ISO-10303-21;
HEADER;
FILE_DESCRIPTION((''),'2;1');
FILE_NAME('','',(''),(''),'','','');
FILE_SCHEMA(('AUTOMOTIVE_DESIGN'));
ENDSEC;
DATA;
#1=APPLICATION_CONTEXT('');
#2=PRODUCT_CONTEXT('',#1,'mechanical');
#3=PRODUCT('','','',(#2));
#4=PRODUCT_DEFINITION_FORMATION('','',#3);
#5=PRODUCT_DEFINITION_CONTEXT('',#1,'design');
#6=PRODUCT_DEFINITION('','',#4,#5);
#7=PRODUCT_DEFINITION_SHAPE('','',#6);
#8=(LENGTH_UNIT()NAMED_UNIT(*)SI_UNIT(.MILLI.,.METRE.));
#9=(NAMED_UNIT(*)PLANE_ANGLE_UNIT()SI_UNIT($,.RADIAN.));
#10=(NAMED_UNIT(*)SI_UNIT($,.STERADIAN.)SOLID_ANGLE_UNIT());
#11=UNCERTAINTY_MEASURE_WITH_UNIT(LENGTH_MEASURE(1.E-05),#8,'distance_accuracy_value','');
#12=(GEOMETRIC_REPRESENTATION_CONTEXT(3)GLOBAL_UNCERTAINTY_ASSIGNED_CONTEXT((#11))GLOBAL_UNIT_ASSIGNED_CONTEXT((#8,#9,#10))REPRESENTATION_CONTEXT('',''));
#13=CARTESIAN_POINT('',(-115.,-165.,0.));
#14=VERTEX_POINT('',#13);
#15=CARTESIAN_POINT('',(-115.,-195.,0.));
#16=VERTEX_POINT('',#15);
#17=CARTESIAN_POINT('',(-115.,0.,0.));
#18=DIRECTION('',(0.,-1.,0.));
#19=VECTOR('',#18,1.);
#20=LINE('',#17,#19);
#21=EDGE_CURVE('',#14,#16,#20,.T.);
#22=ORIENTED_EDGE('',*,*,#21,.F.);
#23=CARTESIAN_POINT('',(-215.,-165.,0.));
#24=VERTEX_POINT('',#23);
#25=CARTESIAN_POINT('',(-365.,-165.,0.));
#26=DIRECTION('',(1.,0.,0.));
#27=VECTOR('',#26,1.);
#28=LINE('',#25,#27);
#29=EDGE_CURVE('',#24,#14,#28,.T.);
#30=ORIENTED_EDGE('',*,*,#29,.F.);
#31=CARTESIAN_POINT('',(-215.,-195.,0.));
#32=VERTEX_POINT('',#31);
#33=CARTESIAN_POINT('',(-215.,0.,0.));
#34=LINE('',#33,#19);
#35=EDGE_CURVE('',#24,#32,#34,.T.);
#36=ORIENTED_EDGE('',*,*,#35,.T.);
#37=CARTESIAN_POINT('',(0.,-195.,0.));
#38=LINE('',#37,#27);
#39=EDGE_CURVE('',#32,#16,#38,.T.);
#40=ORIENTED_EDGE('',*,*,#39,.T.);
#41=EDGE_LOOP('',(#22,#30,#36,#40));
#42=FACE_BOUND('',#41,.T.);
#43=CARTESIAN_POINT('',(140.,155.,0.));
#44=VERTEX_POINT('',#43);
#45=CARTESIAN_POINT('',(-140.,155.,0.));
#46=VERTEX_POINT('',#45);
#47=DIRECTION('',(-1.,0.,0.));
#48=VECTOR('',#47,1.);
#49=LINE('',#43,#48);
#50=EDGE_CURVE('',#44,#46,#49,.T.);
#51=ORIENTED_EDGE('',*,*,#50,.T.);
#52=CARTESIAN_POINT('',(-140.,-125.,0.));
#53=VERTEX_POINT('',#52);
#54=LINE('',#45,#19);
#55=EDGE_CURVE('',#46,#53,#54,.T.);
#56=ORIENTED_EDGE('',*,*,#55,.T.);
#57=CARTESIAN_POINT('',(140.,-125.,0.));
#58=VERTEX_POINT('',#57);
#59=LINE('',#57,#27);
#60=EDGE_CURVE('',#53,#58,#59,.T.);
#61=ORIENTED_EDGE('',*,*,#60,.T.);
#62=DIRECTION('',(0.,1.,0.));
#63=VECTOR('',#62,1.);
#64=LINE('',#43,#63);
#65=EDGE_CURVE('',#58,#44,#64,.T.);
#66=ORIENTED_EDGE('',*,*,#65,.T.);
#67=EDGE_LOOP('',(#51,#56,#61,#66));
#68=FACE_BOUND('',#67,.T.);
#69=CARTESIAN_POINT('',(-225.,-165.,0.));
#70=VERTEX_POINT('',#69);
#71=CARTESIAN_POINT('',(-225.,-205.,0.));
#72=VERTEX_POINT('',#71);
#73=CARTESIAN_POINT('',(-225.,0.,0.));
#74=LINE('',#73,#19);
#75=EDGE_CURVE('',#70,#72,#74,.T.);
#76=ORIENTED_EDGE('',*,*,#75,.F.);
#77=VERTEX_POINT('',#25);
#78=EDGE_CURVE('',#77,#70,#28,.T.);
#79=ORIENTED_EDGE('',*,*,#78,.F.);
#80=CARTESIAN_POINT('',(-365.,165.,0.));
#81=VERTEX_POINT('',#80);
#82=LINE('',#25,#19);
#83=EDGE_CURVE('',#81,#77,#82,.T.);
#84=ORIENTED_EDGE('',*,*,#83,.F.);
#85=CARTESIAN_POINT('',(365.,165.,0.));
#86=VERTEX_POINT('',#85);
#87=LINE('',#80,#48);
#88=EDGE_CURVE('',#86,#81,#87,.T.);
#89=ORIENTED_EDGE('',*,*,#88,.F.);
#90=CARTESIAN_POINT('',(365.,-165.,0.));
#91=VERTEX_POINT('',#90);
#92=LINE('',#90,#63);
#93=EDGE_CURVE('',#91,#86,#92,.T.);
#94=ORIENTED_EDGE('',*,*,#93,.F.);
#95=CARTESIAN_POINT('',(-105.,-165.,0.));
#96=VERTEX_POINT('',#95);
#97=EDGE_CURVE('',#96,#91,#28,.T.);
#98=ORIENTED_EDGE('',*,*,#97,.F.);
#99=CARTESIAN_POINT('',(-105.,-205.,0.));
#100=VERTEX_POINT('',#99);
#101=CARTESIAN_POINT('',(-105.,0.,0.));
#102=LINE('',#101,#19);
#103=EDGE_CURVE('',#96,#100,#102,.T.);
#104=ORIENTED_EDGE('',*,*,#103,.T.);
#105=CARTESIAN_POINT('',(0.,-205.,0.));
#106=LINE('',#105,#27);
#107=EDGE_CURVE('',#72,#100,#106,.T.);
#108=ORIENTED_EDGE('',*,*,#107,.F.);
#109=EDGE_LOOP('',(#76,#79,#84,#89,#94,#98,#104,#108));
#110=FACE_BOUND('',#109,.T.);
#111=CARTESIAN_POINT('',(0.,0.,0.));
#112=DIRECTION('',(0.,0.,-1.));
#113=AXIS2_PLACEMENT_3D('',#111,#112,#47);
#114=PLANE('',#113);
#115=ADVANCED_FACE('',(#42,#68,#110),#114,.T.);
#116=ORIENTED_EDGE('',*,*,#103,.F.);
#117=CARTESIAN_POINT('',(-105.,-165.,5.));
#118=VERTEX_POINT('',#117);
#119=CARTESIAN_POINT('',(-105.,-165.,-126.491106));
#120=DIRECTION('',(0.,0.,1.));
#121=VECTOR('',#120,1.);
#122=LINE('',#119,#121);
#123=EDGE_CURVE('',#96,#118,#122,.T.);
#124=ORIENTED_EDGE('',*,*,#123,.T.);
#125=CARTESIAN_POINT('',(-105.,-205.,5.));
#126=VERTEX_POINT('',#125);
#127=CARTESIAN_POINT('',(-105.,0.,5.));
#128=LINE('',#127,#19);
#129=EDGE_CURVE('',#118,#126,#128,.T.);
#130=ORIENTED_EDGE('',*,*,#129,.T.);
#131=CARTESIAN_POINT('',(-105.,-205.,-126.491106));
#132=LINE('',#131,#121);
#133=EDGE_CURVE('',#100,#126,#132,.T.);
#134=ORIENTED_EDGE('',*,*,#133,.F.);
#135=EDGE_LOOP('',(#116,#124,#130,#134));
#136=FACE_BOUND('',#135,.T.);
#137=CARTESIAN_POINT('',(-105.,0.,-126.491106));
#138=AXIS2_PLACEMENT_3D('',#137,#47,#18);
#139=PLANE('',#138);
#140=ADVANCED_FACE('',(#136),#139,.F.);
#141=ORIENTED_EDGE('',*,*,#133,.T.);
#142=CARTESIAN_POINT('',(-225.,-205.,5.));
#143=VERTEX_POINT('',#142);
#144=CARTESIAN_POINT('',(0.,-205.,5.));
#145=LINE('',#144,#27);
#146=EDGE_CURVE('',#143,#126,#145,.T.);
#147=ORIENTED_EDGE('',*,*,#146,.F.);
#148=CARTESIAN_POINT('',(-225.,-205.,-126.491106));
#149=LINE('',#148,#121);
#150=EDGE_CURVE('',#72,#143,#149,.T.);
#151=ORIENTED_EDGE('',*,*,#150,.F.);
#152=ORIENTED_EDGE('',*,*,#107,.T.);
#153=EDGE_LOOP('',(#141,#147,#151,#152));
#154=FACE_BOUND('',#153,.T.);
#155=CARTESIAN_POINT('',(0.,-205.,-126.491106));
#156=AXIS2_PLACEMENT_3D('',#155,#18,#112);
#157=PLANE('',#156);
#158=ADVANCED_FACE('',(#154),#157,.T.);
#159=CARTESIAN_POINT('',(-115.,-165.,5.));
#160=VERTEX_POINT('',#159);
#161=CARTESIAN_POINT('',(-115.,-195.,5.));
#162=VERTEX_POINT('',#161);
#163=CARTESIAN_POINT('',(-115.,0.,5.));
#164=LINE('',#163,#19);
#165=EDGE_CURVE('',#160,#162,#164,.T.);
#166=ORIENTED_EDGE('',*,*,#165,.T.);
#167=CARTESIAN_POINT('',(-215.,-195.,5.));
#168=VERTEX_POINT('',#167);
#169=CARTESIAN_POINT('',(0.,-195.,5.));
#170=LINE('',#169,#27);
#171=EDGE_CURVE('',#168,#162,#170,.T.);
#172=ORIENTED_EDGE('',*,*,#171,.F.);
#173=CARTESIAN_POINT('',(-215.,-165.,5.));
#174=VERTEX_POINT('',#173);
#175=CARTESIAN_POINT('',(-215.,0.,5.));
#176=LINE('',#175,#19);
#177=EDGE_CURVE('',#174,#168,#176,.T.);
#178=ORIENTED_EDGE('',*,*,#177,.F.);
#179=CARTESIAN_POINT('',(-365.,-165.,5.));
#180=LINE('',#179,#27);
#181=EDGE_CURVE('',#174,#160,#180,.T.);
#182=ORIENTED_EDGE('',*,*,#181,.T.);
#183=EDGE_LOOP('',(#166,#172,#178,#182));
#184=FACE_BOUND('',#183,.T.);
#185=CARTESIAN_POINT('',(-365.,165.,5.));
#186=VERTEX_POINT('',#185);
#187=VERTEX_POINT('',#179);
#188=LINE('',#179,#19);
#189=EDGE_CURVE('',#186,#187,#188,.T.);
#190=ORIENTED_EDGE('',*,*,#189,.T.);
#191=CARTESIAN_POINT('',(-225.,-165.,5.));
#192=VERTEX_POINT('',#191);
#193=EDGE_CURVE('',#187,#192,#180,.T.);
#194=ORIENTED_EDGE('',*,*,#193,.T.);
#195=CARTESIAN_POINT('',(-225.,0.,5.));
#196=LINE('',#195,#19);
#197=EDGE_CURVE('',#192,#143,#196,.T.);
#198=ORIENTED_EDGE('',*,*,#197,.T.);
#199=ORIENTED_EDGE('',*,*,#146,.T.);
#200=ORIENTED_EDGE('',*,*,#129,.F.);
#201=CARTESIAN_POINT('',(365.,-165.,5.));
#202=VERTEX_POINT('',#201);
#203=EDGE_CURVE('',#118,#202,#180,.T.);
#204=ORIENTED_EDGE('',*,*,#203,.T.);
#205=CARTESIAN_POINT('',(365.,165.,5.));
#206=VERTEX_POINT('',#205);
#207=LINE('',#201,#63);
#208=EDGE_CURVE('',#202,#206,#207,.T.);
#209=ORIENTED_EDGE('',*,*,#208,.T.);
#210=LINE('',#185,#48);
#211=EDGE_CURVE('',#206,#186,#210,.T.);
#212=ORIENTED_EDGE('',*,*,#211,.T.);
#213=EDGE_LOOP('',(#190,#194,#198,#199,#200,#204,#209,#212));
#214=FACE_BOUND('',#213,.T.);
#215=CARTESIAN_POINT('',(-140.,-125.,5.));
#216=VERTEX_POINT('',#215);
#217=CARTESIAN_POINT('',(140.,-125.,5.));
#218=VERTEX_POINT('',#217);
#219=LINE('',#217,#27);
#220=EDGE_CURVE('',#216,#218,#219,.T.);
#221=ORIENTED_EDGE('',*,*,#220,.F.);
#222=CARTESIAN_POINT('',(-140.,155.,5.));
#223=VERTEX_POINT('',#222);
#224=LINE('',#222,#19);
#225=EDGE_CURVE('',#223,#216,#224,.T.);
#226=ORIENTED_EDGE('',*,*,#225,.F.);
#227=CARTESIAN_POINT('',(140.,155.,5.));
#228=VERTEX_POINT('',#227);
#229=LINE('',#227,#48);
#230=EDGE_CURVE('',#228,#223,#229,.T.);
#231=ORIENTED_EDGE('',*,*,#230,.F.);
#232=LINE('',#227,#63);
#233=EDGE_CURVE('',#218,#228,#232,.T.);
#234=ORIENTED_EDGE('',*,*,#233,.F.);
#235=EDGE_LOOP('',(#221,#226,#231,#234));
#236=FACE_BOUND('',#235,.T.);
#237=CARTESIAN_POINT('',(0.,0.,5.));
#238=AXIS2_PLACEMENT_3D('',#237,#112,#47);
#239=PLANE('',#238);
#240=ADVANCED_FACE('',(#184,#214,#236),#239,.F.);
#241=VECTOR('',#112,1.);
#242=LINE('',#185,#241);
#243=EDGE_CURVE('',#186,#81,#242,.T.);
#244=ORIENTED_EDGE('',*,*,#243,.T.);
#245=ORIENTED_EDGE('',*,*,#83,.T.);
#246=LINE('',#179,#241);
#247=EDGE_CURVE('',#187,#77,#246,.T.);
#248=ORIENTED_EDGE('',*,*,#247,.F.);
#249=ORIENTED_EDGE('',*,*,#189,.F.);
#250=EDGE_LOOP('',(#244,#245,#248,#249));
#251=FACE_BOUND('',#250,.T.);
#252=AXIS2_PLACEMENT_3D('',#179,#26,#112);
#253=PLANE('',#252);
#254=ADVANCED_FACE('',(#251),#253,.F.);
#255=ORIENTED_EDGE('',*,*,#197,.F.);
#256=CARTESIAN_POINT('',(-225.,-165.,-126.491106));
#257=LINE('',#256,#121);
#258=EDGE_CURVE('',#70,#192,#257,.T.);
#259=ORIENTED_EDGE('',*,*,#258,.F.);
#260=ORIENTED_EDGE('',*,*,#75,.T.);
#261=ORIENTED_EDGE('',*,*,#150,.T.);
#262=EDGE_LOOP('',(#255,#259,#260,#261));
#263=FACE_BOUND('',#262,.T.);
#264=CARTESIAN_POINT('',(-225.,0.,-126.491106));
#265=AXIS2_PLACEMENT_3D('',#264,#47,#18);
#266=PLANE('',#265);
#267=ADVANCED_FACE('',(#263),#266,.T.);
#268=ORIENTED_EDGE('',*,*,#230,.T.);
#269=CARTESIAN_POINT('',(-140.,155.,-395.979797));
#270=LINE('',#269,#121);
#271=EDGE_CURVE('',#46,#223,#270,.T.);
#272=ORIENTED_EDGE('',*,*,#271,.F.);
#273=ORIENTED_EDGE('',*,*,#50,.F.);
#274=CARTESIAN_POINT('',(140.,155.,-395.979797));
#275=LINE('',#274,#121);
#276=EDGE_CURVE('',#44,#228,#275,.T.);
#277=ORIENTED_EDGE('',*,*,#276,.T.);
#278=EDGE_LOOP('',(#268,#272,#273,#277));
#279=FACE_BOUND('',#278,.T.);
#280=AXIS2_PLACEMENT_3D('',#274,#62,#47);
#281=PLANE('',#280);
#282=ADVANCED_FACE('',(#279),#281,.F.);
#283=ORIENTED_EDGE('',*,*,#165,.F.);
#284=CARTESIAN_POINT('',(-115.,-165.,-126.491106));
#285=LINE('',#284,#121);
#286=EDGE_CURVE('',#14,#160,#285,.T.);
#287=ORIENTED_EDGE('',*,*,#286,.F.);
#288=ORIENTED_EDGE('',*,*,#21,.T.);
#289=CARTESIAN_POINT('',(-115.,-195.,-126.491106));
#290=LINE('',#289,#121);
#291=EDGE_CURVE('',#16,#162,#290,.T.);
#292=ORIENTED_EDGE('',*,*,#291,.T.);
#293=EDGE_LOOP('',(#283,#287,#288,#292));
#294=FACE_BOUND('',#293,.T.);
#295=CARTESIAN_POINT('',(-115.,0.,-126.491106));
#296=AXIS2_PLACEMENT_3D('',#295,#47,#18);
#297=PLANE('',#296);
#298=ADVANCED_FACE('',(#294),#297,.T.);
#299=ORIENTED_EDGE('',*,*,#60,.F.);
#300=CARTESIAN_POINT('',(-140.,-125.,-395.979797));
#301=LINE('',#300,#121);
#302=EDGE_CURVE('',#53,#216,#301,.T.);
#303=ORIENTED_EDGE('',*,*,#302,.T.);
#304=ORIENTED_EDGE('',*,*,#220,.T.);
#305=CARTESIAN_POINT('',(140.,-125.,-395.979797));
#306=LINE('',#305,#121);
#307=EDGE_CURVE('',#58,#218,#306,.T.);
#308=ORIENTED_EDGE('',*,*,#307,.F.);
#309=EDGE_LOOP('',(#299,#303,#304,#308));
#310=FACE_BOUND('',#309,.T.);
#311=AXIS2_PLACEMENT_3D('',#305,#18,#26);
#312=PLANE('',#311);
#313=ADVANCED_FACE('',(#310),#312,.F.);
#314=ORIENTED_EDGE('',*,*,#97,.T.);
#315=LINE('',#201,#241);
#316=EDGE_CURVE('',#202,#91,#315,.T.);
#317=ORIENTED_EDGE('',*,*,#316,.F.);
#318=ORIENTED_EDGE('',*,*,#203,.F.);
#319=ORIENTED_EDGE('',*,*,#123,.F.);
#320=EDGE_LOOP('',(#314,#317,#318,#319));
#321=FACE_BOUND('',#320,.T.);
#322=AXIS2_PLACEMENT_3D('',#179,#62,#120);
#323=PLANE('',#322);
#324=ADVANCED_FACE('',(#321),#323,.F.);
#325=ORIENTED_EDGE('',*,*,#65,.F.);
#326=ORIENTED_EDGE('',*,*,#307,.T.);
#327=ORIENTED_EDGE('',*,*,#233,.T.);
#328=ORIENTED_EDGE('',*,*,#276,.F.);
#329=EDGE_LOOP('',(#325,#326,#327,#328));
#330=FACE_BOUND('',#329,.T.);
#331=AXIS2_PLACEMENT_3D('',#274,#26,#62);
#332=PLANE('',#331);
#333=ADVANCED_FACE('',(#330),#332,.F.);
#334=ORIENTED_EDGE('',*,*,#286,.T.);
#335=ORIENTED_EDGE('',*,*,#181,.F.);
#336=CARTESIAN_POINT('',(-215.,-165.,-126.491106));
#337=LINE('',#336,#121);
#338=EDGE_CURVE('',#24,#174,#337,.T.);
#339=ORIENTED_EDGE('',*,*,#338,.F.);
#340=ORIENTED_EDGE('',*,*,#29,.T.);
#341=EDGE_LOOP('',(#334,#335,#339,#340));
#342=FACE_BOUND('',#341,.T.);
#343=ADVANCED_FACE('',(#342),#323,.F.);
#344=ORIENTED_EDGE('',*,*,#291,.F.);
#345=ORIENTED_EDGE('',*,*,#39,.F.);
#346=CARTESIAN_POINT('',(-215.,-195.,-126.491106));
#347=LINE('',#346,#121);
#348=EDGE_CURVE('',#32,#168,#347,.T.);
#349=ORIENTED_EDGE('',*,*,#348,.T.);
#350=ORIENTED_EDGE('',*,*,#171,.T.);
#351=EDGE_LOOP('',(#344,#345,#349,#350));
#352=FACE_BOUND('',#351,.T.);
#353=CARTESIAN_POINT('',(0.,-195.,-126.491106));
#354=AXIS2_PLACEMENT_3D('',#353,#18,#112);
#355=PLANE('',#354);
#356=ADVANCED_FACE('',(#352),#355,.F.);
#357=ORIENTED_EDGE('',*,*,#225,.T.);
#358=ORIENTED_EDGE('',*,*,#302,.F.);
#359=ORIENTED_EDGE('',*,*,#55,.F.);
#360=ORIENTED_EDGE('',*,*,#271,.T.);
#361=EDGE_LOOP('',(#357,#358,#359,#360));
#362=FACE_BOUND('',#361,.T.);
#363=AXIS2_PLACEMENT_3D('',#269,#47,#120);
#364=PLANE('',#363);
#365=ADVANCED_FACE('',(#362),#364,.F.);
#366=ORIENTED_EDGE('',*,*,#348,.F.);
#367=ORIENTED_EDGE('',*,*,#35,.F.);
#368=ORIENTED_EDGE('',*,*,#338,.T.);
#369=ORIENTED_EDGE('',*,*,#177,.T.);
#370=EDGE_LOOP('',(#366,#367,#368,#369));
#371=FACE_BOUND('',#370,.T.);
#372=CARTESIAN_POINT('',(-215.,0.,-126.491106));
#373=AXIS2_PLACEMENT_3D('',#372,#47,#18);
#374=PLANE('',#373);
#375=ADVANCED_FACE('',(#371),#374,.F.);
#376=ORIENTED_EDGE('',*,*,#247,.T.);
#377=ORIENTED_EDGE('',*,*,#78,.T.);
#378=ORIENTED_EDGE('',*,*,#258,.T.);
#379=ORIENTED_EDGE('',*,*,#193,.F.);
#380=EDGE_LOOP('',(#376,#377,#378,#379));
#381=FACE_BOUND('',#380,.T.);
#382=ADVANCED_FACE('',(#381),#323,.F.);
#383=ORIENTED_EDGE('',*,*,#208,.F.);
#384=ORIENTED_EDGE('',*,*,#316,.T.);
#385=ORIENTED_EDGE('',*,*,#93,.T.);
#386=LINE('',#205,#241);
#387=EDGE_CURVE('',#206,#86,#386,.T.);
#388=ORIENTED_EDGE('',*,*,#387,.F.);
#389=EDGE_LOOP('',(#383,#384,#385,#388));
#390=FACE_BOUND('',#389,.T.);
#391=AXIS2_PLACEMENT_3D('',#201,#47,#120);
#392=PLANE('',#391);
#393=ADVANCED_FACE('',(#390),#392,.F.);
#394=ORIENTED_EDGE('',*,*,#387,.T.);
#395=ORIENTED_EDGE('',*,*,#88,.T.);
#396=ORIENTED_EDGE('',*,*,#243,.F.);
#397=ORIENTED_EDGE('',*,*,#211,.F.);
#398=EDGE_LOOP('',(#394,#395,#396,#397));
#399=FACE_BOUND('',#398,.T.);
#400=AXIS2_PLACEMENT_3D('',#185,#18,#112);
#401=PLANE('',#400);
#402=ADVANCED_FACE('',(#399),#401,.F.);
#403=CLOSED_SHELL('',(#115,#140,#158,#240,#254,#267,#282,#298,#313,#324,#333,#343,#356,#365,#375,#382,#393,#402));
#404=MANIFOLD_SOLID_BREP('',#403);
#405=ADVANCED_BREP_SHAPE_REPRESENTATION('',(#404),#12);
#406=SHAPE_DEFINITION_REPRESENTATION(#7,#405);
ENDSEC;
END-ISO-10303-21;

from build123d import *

# Parameters (mm, degrees)
CROQUIS2_W              = 730
CROQUIS2_H              = 330
SALIENTE_EXTRUIR2_DEPTH = 5
CROQUIS4_W              = 280
CROQUIS4_H              = 280
CORTAR_EXTRUIR1_DEPTH   = 5
SALIENTE_EXTRUIR3_DEPTH = 5


with BuildPart() as part:
    # Croquis2 → Saliente-Extruir2 (new body)
    with BuildSketch(Plane.XY):
        Rectangle(CROQUIS2_W, CROQUIS2_H)
    extrude(amount=SALIENTE_EXTRUIR2_DEPTH)

    # Croquis4 → Cortar-Extruir1 (cut)
    with BuildSketch(Plane.XY.offset(5)):
        with Locations((0, 15)):
            Rectangle(CROQUIS4_W, CROQUIS4_H)
    extrude(amount=-CORTAR_EXTRUIR1_DEPTH, mode=Mode.SUBTRACT)

    # Croquis5 → Saliente-Extruir3 (add)
    with BuildSketch(Plane.XY.offset(5)):
        Polygon((-215, -165), (-225, -165), (-225, -205), (-105, -205), (-105, -165), (-115, -165), (-115, -195), (-215, -195), align=None)
    extrude(amount=-SALIENTE_EXTRUIR3_DEPTH)


solid = part.part
